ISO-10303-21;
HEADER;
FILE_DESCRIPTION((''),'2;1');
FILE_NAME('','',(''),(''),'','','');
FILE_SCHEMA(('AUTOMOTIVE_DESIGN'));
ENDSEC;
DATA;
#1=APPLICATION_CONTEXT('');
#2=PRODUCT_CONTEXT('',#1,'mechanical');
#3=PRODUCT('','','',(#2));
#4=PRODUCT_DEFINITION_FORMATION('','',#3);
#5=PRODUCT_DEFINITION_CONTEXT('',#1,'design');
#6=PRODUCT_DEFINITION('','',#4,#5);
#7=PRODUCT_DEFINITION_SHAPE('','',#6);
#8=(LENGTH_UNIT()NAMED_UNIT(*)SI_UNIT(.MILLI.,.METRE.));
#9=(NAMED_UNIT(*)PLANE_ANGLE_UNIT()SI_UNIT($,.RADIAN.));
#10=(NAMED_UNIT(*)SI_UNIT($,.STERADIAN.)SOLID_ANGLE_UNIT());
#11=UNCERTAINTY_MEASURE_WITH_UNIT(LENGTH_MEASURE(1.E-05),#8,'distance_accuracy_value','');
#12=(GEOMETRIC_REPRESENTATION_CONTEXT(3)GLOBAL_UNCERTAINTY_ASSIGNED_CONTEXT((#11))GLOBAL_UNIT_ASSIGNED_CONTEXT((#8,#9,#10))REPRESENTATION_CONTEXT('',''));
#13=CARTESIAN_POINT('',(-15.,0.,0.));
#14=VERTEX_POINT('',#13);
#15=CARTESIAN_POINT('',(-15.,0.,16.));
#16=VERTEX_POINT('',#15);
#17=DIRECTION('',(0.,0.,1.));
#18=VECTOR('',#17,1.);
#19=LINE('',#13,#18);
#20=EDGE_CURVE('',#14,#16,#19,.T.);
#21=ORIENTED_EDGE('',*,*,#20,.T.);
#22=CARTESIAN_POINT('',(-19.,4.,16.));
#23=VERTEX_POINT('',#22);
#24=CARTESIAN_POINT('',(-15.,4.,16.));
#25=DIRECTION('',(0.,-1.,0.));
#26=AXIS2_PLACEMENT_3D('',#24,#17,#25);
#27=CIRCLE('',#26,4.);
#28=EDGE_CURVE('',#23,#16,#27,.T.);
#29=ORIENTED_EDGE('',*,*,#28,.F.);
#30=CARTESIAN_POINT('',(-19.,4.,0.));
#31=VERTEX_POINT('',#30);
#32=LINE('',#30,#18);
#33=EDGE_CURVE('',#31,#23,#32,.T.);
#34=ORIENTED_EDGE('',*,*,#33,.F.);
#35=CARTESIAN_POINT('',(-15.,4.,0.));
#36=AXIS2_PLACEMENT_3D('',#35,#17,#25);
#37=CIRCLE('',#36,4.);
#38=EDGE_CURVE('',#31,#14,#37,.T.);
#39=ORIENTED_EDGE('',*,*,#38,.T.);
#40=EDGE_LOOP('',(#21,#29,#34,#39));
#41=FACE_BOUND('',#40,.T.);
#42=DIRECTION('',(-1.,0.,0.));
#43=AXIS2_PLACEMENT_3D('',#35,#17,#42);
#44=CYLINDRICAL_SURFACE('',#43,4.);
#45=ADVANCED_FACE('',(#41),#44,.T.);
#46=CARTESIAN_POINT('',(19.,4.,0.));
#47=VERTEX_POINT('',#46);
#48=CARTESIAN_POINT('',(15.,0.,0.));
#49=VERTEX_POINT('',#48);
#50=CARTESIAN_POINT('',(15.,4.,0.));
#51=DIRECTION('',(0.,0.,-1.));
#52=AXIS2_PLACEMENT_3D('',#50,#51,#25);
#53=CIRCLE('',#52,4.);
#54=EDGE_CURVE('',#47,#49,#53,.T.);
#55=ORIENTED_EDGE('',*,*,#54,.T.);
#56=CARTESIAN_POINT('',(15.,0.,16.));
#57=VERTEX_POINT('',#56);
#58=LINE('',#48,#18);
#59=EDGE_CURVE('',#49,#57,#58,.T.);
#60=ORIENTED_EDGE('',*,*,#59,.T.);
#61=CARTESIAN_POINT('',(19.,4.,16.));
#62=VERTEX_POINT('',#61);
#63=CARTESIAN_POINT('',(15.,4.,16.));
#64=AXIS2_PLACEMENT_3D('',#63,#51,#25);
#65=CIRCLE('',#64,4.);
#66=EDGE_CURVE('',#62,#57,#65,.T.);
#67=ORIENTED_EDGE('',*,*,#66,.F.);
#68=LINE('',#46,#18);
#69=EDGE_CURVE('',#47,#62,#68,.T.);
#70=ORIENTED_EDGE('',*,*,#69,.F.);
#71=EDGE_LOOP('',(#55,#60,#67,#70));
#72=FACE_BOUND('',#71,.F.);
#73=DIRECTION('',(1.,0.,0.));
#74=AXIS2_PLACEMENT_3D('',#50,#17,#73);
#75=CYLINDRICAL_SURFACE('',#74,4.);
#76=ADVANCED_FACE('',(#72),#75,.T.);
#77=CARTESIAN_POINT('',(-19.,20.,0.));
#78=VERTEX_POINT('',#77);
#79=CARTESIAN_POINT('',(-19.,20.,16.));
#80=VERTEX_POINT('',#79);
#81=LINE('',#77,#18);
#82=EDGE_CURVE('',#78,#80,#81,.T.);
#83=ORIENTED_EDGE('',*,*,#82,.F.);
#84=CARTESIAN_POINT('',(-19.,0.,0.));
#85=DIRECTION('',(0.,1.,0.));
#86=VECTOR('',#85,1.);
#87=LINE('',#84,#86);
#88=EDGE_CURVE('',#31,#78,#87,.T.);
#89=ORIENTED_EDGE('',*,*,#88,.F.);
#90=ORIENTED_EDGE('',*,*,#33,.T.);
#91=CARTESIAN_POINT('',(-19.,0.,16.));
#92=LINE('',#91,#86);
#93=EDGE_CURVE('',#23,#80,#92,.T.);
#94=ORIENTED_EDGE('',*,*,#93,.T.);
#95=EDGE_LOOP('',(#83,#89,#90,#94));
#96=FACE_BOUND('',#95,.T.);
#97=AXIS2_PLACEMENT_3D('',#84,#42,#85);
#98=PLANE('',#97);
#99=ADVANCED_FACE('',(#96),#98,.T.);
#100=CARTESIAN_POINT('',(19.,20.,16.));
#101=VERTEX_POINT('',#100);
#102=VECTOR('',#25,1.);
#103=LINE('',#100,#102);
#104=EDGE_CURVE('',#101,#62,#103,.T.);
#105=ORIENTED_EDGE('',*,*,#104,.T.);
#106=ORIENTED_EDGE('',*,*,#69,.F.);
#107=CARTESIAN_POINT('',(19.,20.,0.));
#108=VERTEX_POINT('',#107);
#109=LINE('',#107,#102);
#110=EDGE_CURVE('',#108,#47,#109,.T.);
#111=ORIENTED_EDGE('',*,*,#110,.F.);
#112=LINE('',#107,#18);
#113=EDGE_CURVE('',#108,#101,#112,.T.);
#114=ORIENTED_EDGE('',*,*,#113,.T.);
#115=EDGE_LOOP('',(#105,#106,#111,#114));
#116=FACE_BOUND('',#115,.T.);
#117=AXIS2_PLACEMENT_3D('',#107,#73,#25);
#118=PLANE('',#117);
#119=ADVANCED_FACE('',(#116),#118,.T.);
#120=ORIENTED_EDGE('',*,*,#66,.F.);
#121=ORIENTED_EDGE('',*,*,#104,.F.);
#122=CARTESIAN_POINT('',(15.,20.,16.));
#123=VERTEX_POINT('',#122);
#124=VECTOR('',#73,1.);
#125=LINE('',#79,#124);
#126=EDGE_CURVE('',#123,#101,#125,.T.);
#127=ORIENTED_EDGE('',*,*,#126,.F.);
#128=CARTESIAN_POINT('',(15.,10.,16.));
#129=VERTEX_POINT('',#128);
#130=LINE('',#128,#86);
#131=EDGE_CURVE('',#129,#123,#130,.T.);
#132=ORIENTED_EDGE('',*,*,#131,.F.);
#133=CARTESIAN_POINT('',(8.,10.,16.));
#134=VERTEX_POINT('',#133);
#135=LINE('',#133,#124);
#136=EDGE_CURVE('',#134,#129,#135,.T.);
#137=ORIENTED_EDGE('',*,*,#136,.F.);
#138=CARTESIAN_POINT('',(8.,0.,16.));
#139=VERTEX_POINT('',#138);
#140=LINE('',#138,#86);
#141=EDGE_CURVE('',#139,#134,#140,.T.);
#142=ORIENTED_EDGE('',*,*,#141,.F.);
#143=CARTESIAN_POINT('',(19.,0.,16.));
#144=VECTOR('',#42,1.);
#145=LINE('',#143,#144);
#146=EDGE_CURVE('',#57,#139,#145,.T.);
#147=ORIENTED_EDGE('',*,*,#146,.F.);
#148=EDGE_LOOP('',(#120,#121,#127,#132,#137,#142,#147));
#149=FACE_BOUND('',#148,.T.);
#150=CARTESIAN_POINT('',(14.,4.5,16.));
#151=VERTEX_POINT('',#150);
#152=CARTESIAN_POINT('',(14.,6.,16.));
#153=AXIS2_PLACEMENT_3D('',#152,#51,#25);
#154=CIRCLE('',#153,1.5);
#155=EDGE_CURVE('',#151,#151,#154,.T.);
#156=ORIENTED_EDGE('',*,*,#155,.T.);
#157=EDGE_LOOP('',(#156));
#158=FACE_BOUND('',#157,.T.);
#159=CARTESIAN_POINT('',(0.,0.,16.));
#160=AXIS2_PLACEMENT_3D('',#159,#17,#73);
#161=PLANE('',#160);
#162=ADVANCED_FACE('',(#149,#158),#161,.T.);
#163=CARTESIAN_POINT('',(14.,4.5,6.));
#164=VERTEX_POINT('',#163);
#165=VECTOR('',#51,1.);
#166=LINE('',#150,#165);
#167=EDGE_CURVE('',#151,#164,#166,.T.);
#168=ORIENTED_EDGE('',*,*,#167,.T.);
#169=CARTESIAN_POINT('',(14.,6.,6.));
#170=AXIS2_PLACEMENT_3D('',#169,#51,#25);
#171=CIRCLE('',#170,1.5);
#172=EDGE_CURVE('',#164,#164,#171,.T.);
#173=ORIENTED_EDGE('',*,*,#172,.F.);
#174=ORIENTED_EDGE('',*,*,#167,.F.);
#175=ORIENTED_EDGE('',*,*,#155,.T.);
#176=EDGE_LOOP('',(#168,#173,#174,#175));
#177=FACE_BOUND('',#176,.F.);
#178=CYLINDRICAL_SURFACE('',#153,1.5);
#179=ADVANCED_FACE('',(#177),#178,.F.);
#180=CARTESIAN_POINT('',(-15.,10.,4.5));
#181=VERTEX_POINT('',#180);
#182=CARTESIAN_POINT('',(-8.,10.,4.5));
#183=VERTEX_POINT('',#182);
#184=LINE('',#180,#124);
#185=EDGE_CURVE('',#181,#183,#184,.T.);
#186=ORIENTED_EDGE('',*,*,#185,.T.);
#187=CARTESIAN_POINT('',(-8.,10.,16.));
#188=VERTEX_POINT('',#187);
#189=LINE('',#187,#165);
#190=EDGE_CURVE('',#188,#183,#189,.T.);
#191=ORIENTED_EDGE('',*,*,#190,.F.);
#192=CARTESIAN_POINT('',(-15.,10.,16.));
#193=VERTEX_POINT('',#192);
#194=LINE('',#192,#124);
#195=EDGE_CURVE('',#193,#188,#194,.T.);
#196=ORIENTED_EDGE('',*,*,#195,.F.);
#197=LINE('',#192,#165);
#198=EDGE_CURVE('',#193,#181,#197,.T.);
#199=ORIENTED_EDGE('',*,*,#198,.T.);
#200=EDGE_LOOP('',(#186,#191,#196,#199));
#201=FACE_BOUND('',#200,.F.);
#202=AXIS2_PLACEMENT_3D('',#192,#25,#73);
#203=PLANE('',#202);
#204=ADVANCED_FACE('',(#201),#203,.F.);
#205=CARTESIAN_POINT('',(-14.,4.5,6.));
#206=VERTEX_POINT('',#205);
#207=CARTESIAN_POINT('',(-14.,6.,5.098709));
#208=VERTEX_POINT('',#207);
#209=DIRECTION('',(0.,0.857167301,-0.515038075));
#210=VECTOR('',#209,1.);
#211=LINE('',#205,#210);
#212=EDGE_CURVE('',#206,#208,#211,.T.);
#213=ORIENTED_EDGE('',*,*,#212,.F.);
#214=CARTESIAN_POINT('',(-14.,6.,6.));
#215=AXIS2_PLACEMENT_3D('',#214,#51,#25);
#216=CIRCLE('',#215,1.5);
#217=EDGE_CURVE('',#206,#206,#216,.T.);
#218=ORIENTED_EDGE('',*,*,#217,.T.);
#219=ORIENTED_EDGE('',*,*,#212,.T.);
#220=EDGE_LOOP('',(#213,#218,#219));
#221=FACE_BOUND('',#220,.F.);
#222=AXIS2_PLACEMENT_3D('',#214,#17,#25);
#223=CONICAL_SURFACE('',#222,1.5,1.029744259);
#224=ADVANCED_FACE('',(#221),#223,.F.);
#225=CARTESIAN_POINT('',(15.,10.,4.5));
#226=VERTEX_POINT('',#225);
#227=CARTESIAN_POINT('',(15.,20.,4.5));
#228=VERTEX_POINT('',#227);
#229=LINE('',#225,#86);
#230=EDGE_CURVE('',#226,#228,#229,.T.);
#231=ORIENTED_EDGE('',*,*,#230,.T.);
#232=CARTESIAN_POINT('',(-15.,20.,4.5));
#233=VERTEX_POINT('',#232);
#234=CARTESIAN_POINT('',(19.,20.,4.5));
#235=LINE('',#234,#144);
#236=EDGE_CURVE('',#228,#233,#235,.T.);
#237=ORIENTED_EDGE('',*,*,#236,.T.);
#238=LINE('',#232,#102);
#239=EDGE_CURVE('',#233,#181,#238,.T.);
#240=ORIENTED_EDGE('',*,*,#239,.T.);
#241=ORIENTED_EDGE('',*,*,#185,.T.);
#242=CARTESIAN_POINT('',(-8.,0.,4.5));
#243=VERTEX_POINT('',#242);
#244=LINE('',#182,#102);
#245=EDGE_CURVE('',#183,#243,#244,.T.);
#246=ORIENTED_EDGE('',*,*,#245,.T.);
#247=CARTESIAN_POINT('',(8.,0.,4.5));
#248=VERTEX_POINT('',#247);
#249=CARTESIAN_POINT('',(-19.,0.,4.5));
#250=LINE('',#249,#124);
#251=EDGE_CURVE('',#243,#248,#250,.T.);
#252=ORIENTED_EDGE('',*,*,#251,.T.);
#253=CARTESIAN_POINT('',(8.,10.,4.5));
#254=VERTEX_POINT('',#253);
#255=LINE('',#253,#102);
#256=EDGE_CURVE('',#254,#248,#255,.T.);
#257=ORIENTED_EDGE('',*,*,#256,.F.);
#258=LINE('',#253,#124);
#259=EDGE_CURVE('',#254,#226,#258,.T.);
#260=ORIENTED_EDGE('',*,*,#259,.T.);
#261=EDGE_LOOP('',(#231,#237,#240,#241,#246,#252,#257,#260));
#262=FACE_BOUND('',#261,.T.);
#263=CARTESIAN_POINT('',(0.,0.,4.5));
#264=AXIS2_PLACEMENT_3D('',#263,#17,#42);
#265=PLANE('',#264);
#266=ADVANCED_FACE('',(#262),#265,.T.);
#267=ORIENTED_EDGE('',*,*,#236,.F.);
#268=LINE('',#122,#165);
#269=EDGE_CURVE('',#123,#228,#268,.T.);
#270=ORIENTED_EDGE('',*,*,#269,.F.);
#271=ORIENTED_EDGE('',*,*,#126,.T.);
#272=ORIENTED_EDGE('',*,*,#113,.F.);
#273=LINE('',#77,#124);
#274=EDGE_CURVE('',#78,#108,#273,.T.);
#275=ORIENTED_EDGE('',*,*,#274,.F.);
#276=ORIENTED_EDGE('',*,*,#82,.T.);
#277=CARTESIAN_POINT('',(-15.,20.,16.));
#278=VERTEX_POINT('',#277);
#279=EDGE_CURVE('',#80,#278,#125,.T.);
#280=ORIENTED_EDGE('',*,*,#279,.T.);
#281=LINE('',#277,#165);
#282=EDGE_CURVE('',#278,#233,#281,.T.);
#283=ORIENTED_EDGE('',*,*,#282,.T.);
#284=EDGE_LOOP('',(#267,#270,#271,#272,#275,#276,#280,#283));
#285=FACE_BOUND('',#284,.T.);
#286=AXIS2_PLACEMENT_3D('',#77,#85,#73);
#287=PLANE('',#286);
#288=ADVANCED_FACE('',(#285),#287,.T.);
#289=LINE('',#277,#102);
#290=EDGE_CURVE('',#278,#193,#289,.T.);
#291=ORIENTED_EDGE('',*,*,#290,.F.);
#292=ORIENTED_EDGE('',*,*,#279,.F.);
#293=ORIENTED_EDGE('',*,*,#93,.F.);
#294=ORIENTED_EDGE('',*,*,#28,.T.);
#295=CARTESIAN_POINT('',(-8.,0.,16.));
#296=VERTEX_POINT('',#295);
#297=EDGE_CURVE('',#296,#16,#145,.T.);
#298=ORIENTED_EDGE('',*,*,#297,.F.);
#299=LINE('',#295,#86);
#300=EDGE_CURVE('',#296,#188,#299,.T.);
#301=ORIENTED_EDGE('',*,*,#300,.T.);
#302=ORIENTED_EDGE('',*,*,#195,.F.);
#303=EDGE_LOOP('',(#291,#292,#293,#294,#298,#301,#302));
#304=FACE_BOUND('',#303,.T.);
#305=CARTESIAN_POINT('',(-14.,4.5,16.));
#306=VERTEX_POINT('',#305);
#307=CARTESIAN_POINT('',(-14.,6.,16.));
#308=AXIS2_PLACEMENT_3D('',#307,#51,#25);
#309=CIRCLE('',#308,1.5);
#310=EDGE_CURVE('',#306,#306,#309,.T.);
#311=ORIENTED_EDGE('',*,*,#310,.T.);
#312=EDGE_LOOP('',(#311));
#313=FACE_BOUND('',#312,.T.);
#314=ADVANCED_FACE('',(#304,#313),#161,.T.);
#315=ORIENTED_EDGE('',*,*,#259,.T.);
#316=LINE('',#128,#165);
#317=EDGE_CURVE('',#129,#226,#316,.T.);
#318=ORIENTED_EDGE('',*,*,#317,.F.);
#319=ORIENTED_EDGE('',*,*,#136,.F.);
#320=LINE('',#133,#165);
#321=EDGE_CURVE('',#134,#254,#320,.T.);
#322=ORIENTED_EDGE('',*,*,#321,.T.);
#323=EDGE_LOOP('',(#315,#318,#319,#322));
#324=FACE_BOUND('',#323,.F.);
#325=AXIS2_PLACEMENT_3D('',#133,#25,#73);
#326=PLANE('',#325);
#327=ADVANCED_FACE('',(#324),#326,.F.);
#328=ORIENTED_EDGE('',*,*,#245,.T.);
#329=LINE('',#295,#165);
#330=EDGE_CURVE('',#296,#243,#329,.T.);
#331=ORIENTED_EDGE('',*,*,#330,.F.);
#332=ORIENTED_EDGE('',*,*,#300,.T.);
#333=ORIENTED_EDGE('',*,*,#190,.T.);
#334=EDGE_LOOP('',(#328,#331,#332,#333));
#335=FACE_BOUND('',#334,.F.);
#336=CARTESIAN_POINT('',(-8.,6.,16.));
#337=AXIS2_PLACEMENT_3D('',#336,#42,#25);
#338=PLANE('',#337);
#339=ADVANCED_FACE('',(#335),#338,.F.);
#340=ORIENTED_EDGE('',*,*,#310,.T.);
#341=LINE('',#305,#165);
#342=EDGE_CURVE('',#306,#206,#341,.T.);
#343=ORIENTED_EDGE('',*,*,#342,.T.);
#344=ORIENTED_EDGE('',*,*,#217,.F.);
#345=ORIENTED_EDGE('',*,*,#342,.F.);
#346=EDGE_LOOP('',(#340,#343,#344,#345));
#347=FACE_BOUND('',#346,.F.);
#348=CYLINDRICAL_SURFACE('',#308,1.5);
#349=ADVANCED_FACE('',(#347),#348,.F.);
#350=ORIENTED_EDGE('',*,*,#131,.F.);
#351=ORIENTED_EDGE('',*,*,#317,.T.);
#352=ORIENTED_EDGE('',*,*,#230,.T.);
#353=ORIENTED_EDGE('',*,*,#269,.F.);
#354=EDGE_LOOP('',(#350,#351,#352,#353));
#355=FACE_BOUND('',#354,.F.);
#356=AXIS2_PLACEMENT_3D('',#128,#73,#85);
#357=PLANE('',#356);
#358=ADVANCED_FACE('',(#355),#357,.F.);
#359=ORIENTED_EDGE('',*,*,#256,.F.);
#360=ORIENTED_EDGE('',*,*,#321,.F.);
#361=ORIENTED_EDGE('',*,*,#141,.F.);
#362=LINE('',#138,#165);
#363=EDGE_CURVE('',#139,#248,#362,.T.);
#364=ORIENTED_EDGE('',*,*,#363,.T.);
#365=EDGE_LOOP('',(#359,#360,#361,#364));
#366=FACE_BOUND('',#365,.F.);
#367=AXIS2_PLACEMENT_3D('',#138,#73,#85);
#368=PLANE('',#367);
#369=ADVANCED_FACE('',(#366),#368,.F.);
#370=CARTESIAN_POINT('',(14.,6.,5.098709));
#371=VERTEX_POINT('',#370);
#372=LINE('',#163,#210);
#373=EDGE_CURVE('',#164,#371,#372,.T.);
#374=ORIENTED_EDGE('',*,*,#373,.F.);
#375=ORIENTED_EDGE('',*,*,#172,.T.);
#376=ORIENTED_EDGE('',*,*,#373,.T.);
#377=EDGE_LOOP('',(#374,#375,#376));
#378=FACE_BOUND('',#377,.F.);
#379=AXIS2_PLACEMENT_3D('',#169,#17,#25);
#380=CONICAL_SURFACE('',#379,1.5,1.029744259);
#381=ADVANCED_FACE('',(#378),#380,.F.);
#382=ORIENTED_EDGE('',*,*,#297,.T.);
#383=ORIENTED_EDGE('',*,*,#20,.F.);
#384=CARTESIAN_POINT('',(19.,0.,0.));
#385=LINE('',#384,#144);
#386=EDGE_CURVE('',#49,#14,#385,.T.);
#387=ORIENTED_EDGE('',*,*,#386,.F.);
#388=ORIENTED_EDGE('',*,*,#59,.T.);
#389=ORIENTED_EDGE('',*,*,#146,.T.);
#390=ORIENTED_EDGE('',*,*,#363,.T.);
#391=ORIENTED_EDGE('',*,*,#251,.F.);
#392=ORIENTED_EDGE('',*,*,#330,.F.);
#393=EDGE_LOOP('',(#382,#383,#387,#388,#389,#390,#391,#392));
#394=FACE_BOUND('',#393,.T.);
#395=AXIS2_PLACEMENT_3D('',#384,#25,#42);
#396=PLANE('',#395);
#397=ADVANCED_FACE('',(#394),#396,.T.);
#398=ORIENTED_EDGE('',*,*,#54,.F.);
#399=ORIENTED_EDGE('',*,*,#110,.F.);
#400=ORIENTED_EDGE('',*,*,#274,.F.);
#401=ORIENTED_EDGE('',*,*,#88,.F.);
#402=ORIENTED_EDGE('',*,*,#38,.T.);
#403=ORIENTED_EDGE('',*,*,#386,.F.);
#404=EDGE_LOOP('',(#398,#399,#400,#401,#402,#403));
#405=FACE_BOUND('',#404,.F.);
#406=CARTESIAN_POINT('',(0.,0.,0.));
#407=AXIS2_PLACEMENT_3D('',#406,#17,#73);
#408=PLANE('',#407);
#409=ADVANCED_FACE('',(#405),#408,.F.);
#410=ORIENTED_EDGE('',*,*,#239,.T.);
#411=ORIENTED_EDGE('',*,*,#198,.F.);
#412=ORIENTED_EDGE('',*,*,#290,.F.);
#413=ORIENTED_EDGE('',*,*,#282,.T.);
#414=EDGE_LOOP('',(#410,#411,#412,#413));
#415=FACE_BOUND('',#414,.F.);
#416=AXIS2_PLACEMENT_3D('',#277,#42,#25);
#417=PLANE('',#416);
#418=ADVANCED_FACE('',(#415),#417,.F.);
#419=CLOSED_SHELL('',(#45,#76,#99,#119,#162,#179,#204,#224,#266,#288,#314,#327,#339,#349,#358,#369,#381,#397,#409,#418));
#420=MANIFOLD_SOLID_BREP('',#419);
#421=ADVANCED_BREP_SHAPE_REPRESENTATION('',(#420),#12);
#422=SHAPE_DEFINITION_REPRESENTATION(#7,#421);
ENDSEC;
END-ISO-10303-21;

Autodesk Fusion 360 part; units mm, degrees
sketch "スケッチ1" plane through (0, 0, 0) normal (0, 0, 1) x (1, 0, 0)
  line L0 (-19, 20) -> (19, 20)
  line L1 (19, 20) -> (19, 0)
  line L2 (19, 0) -> (-19, 0)
  line L3 (-19, 0) -> (-19, 20)
  dimension "d1" = 38
  dimension "d2" = 20
extrude "押し出し1" add sketch "スケッチ1" along normal blind 16
sketch "スケッチ2" plane through (0, 0, 16) normal (0, 0, 1) x (-1, 0, 0)
  line L0 (19, 0) -> (-19, 0)
  line L1 (-19, 0) -> (-19, -20)
  line L2 (-19, -20) -> (19, -20)
  line L3 (19, -20) -> (19, 0)
  line L4 (8, 0) -> (-8, 0)
  line L5 (-8, 0) -> (-8, -10)
  line L6 (-8, -10) -> (-15, -10)
  line L7 (-15, -10) -> (-15, -20)
  line L8 (15, -20) -> (15, -10)
  line L9 (15, -10) -> (8, -10)
  line L10 (8, -10) -> (8, 0)
  line L11 (14, -6) -> (-14, -6)
  point P0 (0, -6)
  dimension "d5" = 16
  dimension "d6" = 4
  dimension "d7" = 4
  dimension "d8" = 10
  dimension "d9" = 6
  dimension "d10" = 28
extrude "押し出し2" cut sketch "スケッチ2" against normal blind 11.5 contours L0 L4 L5 L10 L11 | L2 L5 L6 L7 L8 L9 L10 L11
hole "穴1" at (-14, 6, 16) at (14, 6, 16) direction (0, 0, -1) diameter 3 depth 10 tip angle 118
thread "ねじ1"
fillet "フィレット1" radius 4 2 edges at (19, 0, 8) (-19, 0, 8)
